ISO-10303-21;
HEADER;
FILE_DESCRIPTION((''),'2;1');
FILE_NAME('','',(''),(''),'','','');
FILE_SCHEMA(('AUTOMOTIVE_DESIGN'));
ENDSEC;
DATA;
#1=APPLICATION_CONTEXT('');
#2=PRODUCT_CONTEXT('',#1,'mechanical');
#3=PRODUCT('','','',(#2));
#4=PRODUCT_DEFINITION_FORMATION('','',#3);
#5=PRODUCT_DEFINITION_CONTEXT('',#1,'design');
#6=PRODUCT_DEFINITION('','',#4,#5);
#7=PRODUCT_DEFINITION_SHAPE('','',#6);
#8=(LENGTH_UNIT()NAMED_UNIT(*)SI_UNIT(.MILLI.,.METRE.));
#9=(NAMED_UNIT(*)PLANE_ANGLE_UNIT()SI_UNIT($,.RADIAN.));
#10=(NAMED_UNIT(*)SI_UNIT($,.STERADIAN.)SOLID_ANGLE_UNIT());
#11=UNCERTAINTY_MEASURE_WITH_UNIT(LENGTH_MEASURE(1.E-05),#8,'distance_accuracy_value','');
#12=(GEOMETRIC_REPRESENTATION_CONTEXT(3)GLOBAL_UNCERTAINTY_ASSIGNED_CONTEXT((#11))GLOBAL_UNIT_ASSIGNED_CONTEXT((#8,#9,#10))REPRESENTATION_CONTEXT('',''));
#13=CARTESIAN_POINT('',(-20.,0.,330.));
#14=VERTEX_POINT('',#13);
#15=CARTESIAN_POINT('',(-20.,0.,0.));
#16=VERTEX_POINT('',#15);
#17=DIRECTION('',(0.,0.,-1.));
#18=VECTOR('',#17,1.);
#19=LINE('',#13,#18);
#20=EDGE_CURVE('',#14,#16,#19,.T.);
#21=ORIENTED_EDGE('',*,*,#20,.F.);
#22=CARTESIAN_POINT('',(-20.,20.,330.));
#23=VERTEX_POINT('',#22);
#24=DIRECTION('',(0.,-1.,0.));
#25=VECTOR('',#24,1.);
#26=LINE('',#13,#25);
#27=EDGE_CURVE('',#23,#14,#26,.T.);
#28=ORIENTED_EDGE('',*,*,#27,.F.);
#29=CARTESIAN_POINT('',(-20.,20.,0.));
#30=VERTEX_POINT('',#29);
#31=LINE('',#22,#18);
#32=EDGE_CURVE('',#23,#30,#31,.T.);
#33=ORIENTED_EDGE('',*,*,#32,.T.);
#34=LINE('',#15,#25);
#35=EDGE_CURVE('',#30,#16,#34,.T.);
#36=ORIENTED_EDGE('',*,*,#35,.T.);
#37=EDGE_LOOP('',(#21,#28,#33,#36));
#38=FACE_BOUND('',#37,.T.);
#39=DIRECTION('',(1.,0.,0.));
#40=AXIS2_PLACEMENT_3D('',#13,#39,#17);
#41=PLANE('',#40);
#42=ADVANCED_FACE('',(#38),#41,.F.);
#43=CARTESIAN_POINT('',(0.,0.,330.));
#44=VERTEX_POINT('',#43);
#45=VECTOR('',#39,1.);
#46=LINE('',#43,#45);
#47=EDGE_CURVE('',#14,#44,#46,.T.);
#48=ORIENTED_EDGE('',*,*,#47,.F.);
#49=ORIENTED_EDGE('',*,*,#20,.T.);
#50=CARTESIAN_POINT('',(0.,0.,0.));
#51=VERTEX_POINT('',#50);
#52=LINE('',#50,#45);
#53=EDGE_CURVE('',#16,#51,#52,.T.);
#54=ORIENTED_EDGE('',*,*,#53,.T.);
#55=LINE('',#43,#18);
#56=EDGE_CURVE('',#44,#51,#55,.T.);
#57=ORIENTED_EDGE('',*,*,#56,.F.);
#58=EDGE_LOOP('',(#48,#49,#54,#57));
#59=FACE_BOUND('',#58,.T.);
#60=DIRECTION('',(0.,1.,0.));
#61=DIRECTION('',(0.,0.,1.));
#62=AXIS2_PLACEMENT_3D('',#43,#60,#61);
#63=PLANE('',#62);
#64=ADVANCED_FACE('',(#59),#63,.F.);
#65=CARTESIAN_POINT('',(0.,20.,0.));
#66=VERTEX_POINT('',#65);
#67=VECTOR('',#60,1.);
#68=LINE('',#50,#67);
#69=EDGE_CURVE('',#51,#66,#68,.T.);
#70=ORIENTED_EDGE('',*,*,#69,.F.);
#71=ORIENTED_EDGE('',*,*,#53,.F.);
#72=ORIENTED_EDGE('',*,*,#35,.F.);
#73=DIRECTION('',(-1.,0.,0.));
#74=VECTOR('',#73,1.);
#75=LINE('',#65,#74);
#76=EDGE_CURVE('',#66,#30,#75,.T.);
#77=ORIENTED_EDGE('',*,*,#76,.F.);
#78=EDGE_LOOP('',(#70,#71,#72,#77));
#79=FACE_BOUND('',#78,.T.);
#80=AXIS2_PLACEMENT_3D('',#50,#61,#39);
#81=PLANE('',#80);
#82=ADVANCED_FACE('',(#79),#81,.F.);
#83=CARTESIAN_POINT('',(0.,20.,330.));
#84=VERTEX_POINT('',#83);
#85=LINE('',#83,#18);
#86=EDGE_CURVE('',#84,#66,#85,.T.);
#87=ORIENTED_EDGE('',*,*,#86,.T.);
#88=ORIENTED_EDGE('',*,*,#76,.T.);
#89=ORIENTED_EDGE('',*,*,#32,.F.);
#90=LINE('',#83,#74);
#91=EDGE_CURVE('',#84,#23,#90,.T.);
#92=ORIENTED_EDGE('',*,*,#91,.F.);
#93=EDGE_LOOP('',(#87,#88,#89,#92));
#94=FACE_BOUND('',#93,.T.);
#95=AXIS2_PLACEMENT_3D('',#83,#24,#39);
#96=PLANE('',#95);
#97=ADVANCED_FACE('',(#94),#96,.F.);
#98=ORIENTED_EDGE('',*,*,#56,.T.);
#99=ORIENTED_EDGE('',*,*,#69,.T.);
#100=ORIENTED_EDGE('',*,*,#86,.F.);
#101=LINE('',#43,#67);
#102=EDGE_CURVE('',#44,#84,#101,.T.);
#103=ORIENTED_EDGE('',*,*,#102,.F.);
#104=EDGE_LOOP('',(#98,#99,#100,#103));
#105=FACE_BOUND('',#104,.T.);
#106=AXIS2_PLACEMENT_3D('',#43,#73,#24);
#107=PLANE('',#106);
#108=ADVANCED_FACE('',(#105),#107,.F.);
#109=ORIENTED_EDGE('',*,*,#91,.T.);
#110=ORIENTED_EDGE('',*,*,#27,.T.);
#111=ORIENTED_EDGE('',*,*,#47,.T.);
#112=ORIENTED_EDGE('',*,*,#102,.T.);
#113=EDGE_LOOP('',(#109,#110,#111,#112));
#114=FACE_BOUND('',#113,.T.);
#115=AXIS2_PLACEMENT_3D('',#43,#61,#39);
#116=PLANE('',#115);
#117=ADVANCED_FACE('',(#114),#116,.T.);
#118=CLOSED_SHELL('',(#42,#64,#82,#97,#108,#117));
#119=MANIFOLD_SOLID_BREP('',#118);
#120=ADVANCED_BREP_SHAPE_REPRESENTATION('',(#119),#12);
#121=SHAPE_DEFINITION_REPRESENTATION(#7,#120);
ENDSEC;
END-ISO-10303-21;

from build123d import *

# Parameters (mm, degrees)
SKETCH_1_W      = 20
SKETCH_1_H      = 20
EXTRUDE_1_DEPTH = 330


with BuildPart() as part:
    # 草图1 → 凸台-拉伸1 (new body)
    with BuildSketch(Plane.XY):
        with Locations((-10, 10)):
            Rectangle(SKETCH_1_W, SKETCH_1_H)
    extrude(amount=EXTRUDE_1_DEPTH)


solid = part.part
